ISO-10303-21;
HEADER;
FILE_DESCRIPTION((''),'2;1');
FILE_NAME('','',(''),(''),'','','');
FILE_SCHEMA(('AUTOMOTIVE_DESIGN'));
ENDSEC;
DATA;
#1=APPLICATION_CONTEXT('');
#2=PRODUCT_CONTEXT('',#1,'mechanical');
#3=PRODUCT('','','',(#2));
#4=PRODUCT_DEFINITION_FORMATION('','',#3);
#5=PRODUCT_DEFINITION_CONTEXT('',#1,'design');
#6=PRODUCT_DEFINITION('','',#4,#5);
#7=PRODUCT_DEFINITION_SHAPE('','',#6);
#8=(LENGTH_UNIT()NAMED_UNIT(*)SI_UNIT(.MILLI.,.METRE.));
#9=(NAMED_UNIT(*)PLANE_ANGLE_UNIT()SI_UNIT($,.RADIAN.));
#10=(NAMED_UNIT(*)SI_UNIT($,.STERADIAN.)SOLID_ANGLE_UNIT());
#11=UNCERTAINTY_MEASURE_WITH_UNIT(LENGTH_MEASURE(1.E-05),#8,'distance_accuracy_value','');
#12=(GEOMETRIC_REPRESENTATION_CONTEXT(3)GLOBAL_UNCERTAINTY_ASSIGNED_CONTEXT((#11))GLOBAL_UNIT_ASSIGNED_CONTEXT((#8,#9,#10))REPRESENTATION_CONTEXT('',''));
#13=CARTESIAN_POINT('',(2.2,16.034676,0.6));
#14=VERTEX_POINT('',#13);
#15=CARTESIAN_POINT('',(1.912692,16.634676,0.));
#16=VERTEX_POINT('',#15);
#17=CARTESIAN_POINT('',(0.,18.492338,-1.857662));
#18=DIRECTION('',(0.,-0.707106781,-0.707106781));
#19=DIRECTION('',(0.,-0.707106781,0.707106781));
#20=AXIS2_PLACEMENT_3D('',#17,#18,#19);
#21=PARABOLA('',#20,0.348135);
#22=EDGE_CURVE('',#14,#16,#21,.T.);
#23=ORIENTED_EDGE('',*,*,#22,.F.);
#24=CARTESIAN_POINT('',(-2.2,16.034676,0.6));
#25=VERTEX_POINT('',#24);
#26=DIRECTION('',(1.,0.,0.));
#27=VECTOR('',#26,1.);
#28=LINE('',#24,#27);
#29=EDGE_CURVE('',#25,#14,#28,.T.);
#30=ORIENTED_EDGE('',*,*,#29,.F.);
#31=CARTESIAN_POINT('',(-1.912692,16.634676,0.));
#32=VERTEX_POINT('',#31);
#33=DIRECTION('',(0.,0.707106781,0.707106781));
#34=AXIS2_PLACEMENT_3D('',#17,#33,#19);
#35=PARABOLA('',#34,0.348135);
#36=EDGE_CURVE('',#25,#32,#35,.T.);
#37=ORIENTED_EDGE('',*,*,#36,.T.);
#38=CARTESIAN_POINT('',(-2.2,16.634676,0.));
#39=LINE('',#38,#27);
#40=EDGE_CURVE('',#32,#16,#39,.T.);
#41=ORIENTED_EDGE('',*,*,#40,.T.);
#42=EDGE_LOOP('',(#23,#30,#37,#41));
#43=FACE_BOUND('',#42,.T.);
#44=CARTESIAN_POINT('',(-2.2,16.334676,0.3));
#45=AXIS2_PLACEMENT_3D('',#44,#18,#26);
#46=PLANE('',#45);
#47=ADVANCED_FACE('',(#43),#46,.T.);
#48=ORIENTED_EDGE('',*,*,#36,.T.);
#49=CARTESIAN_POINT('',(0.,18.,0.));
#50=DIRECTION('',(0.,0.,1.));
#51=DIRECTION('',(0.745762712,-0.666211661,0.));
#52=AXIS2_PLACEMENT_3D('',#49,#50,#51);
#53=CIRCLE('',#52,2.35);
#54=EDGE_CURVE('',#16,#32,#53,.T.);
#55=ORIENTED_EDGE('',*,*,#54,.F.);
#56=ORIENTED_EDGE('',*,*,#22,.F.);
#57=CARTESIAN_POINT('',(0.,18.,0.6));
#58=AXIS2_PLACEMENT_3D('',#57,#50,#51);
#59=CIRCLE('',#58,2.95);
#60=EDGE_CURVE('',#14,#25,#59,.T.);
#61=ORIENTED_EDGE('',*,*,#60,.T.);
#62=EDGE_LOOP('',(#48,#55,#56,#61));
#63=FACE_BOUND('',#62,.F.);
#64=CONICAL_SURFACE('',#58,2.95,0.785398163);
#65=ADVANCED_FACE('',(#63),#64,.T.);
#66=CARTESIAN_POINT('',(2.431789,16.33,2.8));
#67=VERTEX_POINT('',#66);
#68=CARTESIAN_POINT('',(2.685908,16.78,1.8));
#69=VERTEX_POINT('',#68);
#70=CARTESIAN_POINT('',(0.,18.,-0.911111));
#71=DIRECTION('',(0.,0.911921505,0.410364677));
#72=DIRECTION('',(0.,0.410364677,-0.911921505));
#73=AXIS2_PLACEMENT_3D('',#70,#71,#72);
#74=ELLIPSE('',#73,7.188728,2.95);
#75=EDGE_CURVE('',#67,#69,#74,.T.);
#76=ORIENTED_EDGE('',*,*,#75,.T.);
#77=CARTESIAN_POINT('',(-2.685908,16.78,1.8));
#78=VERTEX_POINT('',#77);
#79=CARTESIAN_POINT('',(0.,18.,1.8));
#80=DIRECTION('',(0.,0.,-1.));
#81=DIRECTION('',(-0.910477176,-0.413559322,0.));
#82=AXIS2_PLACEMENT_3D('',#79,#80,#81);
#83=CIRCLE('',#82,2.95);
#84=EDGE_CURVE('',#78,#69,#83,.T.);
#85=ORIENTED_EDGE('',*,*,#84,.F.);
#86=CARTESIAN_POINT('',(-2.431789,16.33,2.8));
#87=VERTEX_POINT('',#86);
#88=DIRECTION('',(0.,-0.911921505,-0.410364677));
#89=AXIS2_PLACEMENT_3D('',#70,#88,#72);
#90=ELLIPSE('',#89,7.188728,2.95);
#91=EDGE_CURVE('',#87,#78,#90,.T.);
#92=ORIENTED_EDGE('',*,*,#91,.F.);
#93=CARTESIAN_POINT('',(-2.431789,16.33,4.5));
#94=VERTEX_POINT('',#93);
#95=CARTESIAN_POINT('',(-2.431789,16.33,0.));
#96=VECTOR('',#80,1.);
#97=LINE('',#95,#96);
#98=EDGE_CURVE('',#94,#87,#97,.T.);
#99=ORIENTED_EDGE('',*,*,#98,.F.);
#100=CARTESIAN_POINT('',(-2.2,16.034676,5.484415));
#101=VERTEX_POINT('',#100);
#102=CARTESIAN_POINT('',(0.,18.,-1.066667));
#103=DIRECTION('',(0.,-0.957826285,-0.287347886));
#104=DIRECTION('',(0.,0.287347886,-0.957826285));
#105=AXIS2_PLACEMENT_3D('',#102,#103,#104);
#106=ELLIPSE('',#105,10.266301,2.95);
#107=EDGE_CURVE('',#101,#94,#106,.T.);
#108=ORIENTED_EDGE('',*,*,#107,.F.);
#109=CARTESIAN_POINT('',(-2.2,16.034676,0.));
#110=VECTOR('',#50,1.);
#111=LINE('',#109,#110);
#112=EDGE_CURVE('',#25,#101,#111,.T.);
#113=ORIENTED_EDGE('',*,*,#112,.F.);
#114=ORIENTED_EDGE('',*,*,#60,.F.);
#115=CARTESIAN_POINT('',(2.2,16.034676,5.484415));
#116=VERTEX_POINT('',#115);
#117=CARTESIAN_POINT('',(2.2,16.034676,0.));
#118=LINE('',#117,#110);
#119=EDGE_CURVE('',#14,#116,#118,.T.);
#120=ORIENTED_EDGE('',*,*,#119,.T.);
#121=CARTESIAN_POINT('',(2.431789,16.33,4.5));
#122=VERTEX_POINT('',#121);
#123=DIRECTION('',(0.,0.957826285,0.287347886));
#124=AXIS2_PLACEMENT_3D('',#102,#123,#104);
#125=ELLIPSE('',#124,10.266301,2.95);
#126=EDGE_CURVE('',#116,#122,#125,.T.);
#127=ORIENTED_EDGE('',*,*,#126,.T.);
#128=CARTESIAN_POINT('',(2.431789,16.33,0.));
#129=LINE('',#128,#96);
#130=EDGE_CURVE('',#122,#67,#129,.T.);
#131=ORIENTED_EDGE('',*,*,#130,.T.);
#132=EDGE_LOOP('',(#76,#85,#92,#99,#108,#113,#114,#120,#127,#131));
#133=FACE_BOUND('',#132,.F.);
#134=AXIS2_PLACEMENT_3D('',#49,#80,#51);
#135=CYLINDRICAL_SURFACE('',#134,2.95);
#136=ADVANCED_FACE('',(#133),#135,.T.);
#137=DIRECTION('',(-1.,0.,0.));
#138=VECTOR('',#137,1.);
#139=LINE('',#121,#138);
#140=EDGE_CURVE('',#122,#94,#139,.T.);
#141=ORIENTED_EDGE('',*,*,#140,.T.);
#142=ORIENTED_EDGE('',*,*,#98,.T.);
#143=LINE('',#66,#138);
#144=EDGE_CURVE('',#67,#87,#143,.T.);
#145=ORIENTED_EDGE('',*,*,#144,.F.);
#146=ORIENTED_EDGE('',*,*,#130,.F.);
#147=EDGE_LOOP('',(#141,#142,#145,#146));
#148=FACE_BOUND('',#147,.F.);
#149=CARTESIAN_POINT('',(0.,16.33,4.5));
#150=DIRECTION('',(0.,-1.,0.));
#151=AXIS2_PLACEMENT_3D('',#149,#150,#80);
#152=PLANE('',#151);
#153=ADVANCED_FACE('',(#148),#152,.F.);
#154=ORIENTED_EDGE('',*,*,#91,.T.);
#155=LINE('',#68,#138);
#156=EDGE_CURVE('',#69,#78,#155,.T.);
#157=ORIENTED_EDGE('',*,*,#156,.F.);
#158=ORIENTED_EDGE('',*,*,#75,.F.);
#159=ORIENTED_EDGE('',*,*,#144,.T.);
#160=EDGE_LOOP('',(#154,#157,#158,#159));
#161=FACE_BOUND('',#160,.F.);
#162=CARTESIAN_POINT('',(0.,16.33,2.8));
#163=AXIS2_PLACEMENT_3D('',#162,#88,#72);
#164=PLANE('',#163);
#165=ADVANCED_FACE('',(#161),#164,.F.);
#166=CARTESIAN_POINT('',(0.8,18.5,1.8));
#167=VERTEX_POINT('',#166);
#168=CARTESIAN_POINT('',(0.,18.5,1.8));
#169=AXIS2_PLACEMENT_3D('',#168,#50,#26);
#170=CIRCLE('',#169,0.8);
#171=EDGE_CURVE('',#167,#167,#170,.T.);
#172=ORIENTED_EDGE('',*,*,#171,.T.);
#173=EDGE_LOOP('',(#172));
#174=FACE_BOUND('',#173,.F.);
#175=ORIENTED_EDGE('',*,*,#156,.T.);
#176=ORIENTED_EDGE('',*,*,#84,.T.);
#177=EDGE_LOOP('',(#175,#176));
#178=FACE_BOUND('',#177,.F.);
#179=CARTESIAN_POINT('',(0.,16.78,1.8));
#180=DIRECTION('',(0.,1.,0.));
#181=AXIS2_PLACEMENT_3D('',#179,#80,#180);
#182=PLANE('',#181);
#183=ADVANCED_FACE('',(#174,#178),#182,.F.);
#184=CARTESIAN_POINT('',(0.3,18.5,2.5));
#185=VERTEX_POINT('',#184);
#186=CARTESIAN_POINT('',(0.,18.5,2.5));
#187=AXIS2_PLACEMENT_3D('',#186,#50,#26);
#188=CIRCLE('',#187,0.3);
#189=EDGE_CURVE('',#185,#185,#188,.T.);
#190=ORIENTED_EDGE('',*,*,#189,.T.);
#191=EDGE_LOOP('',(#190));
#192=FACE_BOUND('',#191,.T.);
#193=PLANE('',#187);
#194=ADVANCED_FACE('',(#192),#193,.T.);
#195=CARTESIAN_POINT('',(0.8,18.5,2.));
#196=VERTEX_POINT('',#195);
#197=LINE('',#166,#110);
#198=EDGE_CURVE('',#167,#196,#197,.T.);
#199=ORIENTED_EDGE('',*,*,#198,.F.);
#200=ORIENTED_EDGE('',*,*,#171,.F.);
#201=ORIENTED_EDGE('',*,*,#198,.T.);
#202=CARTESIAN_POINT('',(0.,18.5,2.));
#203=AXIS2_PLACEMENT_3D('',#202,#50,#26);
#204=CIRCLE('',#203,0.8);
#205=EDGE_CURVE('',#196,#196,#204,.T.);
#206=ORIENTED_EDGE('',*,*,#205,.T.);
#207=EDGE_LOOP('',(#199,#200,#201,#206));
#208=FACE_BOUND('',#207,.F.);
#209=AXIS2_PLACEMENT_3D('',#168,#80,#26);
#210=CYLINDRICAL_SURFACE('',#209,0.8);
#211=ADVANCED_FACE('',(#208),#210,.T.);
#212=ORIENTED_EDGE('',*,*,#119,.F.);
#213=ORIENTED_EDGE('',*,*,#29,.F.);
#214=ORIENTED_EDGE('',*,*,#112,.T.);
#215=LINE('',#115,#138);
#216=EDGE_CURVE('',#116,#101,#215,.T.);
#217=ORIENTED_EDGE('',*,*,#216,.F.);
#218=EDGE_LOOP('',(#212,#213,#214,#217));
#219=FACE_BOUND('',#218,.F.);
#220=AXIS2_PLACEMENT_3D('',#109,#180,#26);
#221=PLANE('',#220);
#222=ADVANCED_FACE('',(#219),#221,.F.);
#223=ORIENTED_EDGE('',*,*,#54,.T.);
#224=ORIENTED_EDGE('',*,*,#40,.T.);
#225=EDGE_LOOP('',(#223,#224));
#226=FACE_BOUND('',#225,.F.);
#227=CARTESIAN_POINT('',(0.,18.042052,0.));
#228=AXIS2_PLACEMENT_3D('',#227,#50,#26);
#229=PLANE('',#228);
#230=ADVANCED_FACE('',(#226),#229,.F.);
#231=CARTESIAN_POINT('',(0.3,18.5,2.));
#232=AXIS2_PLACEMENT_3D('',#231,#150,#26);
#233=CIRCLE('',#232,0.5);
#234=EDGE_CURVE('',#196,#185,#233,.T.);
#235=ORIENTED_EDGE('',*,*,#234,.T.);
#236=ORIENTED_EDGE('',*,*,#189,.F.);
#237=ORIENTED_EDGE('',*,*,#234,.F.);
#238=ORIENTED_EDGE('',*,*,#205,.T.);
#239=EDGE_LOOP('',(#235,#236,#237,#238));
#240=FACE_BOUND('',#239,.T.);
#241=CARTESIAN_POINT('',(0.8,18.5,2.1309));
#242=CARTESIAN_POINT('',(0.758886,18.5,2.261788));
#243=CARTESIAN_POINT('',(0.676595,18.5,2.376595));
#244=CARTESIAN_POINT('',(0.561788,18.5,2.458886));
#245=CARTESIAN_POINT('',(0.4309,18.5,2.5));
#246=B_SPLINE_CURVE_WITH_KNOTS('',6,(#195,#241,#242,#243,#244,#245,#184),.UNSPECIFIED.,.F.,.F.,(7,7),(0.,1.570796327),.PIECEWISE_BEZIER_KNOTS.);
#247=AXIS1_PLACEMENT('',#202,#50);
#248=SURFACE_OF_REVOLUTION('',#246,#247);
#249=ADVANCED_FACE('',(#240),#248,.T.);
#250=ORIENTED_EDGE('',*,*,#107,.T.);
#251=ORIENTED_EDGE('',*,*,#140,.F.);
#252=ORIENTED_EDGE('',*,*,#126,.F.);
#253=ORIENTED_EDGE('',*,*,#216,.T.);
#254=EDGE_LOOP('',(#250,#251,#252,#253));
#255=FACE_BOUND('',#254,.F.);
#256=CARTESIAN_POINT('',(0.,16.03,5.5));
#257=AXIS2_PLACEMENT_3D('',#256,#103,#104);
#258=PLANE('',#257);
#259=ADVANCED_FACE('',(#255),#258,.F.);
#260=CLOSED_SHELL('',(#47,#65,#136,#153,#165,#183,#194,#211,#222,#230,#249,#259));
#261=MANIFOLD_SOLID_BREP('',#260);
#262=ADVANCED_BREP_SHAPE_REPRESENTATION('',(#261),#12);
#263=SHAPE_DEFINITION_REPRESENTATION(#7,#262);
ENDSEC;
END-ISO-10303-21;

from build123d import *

# Parameters (mm, degrees)
PAD003_DEPTH         = 5.5
POCKET004_DEPTH      = 2.951
POCKET004_DEPTH_BACK = 2.951
SKETCH013_R          = 0.8
PAD006_DEPTH         = 0.7
FILLET_R             = 0.5
CHAMFER004_SIZE      = 0.6


with BuildPart() as part:
    # Sketch004 → Pad003 (new body)
    with BuildSketch(Plane.XY):
        with BuildLine():
            ThreePointArc((2.2, -1.9653244007), (0, 2.95), (-2.2, -1.9653244007))
            Line((-2.2, -1.9653244007), (2.2, -1.9653244007))
        make_face()
    extrude(amount=PAD003_DEPTH)

    # Sketch014 → Pocket004 (cut, two sides)
    with BuildSketch(Plane.YZ) as pocket004_sk:
        Polygon((-1.97, 5.5), (-1.67, 4.5), (-1.67, 2.8), (-1.22, 1.8), (4, 1.8), (4, 5.5), align=None)
    extrude(amount=-POCKET004_DEPTH, mode=Mode.SUBTRACT)
    extrude(pocket004_sk.sketch, amount=POCKET004_DEPTH_BACK, mode=Mode.SUBTRACT)

    # Sketch013 (on Face7 of Pocket004) → Pad006 (join)
    with BuildSketch(Plane.XY.offset(1.8)):
        with Locations((0, 0.5)):
            Circle(SKETCH013_R)
    extrude(amount=PAD006_DEPTH)

    # Fillet
    fillet_edges = [part.edges().sort_by_distance(p)[0] for p in [
        (-0.8, 0.5, 2.5),
    ]]
    fillet(fillet_edges, radius=FILLET_R)

    # Chamfer004
    chamfer004_edges = [part.edges().sort_by_distance(p)[0] for p in [
        (0, 2.95, 0),
        (0, -1.965324, 0),
    ]]
    chamfer(chamfer004_edges, length=CHAMFER004_SIZE)


with BuildPart() as part_1:
    # Body022 placement: moved
    add(part.part.moved(Location((0, 18, 0))))


solid = part_1.part
